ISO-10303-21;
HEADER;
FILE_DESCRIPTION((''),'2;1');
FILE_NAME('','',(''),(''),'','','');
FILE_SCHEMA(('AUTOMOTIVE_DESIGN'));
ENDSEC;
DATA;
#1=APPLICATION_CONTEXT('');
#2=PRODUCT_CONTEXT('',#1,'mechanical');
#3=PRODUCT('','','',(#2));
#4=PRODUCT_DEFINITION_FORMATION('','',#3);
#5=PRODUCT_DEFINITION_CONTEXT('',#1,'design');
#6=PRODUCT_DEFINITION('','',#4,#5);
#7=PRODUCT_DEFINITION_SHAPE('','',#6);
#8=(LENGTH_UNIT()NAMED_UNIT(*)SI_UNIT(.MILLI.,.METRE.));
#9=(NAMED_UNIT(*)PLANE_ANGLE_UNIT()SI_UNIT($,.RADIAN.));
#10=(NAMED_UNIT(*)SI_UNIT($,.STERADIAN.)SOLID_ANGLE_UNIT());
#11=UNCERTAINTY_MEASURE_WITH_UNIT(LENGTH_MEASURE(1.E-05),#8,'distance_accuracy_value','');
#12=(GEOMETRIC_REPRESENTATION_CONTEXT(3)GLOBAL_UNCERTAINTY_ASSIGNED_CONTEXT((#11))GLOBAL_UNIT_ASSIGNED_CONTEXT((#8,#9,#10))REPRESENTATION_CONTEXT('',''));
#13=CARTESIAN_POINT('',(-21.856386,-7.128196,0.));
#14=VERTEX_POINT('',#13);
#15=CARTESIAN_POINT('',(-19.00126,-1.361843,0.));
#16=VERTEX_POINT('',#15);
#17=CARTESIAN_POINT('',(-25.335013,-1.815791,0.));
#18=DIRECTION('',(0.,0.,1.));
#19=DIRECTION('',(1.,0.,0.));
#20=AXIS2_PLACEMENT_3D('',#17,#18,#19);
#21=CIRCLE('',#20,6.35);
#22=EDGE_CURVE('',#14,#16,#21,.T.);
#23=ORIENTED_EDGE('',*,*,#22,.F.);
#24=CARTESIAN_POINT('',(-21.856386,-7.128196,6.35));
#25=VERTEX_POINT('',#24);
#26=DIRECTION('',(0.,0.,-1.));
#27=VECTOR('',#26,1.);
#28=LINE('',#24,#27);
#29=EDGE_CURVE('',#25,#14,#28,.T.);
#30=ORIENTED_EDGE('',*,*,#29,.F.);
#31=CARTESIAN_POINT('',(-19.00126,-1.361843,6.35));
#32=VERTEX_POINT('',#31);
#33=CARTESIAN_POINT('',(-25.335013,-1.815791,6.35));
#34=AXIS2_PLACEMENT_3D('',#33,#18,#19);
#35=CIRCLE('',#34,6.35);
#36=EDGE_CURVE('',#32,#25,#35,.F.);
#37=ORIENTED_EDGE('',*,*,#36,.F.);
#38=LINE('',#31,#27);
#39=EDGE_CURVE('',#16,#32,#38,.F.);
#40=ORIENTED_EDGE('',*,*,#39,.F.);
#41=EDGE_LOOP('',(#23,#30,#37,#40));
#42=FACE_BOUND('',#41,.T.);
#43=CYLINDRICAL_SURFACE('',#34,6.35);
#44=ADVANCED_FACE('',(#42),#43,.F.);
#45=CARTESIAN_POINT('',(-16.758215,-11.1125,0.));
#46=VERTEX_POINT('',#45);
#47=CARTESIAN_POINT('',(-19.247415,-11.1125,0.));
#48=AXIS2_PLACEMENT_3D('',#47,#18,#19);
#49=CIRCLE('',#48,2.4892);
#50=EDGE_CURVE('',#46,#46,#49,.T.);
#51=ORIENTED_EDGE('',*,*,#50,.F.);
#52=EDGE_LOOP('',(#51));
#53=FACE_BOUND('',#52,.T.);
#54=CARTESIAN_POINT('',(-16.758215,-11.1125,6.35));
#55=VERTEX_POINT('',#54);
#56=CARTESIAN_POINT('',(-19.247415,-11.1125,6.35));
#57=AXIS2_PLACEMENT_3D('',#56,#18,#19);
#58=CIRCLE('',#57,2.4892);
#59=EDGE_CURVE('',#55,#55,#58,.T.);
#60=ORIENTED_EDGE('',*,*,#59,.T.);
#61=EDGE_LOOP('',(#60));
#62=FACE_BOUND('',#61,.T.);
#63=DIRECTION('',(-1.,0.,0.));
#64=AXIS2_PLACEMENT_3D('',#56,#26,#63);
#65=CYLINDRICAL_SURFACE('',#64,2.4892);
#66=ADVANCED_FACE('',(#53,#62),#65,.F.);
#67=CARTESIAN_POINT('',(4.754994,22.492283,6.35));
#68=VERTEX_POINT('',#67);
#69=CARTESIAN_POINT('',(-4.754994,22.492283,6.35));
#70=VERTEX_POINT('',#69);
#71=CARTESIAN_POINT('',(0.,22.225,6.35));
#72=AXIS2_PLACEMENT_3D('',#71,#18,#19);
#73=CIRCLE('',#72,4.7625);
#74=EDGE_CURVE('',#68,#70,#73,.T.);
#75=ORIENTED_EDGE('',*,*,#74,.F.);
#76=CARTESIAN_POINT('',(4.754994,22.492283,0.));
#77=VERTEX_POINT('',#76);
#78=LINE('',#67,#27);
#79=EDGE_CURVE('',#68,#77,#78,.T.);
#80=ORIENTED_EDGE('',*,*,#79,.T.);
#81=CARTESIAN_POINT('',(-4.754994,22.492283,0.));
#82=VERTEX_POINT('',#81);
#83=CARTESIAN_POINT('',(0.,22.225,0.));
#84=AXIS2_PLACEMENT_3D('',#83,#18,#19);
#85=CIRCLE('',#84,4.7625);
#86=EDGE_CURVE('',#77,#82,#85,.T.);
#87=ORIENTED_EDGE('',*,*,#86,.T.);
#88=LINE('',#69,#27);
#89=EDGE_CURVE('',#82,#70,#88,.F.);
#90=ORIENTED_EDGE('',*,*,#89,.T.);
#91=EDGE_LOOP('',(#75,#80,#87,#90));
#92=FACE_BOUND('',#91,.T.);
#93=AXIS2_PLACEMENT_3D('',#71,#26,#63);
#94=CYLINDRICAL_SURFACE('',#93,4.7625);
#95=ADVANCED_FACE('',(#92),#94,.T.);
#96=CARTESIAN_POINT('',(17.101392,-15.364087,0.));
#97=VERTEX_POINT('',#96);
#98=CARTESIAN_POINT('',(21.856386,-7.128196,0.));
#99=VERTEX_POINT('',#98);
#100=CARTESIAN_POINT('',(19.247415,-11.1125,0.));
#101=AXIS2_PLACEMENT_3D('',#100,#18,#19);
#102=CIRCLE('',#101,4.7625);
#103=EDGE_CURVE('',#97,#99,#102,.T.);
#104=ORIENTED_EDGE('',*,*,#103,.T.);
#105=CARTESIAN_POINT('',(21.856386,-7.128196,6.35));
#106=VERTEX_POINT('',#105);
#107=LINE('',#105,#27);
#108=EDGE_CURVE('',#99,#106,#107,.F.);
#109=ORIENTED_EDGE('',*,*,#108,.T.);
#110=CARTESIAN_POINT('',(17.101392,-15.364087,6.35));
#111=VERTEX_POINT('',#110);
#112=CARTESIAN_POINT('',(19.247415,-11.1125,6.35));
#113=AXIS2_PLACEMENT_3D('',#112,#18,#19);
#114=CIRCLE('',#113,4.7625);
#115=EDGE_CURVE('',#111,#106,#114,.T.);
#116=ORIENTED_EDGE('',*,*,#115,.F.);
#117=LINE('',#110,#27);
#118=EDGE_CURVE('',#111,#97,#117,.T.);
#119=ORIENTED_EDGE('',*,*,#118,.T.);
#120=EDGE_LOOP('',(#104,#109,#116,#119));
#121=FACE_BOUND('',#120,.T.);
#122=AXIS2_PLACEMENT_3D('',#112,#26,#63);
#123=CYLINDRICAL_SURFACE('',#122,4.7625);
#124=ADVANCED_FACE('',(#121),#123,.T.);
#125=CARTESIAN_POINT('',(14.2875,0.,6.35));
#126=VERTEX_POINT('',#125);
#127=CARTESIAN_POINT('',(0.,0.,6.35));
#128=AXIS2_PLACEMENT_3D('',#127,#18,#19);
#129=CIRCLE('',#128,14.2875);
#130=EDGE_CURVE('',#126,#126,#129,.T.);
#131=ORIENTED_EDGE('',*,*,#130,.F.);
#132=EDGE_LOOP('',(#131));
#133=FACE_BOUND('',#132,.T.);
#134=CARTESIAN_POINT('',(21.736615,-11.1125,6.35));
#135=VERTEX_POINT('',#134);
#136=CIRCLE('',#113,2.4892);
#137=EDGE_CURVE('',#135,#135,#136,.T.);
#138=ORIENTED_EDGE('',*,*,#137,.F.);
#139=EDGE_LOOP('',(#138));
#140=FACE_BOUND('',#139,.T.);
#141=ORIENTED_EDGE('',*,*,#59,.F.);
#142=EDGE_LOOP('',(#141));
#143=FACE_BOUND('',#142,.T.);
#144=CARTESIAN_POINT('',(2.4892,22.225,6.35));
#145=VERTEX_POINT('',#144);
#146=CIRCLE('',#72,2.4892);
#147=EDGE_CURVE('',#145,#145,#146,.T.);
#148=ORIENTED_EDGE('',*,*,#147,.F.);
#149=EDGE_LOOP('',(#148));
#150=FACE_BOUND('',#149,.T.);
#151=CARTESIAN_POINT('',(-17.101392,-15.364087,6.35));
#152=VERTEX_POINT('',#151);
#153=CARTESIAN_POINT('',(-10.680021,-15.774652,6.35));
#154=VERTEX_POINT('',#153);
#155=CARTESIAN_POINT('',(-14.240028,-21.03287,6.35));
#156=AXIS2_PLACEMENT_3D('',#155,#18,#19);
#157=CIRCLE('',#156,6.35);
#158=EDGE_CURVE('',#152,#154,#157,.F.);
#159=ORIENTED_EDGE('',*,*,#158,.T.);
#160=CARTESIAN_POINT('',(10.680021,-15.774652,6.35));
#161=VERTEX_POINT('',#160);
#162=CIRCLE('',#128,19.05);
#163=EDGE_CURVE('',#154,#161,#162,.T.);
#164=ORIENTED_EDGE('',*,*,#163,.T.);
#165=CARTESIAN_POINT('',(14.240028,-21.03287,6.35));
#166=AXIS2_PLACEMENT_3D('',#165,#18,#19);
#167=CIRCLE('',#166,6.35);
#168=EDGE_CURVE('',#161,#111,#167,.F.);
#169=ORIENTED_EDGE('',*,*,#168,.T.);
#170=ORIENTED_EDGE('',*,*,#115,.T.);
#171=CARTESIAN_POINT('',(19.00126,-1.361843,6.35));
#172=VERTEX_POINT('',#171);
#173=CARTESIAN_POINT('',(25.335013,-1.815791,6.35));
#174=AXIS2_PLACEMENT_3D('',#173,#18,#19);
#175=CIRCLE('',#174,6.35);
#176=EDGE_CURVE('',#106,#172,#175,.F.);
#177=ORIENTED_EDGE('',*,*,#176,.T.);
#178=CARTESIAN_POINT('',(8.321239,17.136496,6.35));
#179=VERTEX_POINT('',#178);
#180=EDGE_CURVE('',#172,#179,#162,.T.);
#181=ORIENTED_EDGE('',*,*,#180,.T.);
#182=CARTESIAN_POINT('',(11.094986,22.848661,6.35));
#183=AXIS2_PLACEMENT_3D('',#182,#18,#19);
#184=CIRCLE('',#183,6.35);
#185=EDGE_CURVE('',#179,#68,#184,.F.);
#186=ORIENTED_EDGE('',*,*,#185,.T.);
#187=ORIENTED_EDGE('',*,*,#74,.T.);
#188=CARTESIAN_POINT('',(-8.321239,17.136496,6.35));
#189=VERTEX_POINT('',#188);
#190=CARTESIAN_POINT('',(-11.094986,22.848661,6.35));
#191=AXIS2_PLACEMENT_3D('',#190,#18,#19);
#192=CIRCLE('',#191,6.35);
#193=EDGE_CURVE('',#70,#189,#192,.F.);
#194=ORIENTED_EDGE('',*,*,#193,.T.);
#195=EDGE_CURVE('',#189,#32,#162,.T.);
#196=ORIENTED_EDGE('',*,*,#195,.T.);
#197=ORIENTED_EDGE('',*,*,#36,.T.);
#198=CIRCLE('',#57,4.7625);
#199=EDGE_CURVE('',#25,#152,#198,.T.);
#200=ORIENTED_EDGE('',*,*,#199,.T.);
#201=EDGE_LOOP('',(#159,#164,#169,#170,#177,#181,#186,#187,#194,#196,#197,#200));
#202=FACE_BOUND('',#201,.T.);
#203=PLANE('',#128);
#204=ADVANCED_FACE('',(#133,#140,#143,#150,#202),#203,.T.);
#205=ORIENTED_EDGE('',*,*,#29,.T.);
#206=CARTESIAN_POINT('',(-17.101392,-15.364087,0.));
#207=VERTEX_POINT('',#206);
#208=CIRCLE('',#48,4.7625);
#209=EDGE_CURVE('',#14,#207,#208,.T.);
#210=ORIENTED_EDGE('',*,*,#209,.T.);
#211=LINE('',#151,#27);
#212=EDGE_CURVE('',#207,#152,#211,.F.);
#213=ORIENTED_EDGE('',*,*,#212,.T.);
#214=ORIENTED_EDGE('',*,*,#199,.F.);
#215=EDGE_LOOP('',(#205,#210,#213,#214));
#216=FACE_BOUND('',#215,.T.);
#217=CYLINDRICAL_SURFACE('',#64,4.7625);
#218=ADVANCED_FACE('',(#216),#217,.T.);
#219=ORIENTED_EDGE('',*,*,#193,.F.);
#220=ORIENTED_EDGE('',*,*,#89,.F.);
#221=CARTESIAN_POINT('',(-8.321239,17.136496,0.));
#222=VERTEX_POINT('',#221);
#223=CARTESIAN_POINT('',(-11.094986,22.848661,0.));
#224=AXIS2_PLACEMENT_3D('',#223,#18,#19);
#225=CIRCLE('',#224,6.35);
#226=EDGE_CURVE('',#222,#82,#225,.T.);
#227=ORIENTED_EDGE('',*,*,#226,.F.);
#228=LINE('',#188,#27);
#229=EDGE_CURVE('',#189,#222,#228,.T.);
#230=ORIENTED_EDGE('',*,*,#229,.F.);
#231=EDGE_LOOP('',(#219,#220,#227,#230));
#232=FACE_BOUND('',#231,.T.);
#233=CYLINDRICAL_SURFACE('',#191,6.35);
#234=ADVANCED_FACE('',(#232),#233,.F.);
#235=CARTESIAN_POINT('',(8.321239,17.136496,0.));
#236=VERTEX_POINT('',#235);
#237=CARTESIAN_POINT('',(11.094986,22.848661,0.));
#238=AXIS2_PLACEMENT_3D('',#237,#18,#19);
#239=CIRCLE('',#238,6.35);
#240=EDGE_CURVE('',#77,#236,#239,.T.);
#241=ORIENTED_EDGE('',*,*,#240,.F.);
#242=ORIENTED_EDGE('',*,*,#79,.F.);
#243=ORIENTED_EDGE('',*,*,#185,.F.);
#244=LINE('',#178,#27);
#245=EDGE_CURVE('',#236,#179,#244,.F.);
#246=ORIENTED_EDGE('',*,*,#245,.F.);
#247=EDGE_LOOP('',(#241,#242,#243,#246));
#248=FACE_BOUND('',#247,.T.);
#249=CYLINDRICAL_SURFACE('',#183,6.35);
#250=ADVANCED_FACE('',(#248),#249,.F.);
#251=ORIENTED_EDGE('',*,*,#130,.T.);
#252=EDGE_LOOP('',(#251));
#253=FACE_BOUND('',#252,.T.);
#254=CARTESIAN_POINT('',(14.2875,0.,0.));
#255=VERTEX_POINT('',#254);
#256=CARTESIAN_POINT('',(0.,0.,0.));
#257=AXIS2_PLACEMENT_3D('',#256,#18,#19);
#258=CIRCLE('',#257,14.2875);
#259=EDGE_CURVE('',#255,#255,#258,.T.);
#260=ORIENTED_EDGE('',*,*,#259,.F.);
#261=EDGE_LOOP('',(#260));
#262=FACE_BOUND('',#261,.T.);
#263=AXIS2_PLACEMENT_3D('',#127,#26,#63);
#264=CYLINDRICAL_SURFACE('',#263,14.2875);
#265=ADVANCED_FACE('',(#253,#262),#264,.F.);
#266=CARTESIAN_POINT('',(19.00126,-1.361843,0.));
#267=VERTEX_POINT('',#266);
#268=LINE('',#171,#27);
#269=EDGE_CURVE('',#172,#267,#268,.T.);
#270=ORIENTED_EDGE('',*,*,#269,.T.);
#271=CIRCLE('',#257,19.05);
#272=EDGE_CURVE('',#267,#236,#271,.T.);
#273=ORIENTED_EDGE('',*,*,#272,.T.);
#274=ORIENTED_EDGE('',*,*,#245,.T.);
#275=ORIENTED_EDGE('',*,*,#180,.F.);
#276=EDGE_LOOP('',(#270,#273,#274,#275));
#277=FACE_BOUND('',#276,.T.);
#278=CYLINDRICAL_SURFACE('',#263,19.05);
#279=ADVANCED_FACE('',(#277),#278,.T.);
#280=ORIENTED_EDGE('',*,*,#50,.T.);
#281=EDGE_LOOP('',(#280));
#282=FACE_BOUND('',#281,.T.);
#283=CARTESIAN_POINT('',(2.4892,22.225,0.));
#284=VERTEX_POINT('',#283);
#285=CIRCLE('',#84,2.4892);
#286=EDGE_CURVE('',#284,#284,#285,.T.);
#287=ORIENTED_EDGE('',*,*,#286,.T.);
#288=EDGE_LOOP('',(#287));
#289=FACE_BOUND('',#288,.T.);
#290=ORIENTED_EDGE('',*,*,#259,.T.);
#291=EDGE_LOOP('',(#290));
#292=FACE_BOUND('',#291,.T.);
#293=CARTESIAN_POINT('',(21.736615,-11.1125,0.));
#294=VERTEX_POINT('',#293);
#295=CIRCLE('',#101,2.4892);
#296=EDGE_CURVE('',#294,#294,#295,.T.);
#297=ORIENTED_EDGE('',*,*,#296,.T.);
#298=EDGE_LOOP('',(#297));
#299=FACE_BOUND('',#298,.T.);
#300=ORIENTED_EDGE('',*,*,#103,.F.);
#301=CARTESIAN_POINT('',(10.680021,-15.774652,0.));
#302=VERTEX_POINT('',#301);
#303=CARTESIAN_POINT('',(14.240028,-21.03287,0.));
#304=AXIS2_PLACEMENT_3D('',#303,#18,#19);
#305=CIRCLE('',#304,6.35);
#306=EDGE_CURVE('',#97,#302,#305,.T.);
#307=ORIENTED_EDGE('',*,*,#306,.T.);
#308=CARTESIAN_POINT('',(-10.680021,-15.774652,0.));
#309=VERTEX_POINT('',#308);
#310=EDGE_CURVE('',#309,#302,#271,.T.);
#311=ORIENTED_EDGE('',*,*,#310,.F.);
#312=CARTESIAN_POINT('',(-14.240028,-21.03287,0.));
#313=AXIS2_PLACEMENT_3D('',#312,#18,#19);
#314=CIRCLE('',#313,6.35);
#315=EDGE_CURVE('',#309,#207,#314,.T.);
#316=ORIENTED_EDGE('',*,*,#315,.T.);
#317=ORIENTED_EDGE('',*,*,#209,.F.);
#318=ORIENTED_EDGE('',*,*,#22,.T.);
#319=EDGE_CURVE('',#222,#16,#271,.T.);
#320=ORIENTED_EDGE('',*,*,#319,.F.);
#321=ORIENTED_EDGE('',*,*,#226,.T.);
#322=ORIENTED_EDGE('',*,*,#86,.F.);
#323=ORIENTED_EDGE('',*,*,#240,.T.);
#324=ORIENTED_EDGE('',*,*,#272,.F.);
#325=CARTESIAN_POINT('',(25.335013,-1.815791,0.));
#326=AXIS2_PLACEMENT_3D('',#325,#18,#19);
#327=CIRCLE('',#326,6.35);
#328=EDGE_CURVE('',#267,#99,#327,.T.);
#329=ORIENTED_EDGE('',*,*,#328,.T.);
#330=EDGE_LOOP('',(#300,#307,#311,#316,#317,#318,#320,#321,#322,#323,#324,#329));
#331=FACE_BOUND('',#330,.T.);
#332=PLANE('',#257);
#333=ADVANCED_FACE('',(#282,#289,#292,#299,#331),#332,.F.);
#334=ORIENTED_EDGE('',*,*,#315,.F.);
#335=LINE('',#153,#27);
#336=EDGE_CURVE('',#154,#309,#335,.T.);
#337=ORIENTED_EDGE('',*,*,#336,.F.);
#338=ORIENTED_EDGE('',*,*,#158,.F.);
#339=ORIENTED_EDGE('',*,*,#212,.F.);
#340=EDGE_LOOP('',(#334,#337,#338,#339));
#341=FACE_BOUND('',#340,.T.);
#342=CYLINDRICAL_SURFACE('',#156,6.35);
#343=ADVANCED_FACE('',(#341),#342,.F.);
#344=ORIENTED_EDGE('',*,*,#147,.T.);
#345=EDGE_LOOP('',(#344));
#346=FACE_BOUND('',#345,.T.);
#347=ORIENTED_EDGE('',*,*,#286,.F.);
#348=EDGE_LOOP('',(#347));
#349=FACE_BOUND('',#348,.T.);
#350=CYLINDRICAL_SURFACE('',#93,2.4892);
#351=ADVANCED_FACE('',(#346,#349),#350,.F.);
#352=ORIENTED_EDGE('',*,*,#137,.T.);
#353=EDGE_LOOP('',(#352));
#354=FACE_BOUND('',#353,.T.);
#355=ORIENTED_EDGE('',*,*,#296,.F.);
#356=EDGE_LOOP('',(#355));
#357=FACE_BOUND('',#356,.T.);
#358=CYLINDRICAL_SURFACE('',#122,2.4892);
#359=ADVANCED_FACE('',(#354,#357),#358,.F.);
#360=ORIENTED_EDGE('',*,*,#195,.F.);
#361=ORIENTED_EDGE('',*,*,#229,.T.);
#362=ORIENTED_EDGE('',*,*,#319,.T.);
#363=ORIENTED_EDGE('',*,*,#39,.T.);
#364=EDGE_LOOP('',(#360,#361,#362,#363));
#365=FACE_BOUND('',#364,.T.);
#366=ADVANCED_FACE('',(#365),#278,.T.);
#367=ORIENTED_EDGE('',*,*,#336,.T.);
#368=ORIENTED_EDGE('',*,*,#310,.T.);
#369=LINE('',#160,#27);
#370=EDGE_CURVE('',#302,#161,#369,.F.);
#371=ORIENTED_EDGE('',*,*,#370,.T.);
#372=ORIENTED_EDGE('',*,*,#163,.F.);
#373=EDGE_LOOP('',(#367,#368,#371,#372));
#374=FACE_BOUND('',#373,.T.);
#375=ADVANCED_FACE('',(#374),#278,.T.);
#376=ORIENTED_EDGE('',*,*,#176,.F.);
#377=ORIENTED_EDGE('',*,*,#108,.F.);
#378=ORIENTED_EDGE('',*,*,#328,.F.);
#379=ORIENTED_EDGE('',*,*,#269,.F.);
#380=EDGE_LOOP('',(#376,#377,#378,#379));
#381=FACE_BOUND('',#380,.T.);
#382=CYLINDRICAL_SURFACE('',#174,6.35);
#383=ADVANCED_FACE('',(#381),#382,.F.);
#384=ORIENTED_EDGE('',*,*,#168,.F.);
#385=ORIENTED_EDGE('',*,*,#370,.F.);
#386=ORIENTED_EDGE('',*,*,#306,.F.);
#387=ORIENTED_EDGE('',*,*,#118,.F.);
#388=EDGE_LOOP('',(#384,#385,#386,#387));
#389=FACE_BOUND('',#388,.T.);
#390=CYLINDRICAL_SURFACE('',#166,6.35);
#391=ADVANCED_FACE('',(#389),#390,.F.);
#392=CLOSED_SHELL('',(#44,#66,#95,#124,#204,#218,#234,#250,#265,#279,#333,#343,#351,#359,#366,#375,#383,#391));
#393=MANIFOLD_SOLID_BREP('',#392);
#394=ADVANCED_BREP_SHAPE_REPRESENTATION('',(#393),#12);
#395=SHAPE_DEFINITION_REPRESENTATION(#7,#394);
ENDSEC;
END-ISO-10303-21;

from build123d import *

# Parameters (mm, degrees)
SKETCH2_R           = 4.7625
SKETCH2_R_2         = 2.4892
SKETCH2_R_3         = 19.05
SKETCH2_R_4         = 14.2875
BOSS_EXTRUDE1_DEPTH = 6.35
FILLET2_R           = 6.35


with BuildPart() as part:
    # Sketch2 → Boss-Extrude1 (new body)
    # profile 1 of 4: a face of its own
    with BuildSketch(Plane.XY):
        with Locations((19.247414599, -11.1125)):
            Circle(SKETCH2_R)
        with Locations((19.247414599, -11.1125)):
            Circle(SKETCH2_R_2, mode=Mode.SUBTRACT)
    # profile 2 of 4: a face of its own
    with BuildSketch(Plane.XY):
        Circle(SKETCH2_R_3)
        Circle(SKETCH2_R_4, mode=Mode.SUBTRACT)
    # profile 3 of 4: a face of its own
    with BuildSketch(Plane.XY):
        with Locations((0, 22.225)):
            Circle(SKETCH2_R)
        with Locations((0, 22.225)):
            Circle(SKETCH2_R_2, mode=Mode.SUBTRACT)
    # profile 4 of 4: a face of its own
    with BuildSketch(Plane.XY):
        with Locations((-19.247414599, -11.1125)):
            Circle(SKETCH2_R)
        with Locations((-19.247414599, -11.1125)):
            Circle(SKETCH2_R_2, mode=Mode.SUBTRACT)
    extrude(amount=BOSS_EXTRUDE1_DEPTH)

    # Fillet2
    fillet2_edges = [part.edges().sort_by_distance(p)[0] for p in [
        (-17.88937524, -6.547728883, 3.175),
        (-3.27418807, 18.766517857, 3.175),
        (3.27418807, 18.766517857, 3.175),
        (17.88937524, -6.547728883, 3.175),
        (14.61518717, -12.218788974, 3.175),
        (-14.61518717, -12.218788974, 3.175),
    ]]
    fillet(fillet2_edges, radius=FILLET2_R)


solid = part.part
